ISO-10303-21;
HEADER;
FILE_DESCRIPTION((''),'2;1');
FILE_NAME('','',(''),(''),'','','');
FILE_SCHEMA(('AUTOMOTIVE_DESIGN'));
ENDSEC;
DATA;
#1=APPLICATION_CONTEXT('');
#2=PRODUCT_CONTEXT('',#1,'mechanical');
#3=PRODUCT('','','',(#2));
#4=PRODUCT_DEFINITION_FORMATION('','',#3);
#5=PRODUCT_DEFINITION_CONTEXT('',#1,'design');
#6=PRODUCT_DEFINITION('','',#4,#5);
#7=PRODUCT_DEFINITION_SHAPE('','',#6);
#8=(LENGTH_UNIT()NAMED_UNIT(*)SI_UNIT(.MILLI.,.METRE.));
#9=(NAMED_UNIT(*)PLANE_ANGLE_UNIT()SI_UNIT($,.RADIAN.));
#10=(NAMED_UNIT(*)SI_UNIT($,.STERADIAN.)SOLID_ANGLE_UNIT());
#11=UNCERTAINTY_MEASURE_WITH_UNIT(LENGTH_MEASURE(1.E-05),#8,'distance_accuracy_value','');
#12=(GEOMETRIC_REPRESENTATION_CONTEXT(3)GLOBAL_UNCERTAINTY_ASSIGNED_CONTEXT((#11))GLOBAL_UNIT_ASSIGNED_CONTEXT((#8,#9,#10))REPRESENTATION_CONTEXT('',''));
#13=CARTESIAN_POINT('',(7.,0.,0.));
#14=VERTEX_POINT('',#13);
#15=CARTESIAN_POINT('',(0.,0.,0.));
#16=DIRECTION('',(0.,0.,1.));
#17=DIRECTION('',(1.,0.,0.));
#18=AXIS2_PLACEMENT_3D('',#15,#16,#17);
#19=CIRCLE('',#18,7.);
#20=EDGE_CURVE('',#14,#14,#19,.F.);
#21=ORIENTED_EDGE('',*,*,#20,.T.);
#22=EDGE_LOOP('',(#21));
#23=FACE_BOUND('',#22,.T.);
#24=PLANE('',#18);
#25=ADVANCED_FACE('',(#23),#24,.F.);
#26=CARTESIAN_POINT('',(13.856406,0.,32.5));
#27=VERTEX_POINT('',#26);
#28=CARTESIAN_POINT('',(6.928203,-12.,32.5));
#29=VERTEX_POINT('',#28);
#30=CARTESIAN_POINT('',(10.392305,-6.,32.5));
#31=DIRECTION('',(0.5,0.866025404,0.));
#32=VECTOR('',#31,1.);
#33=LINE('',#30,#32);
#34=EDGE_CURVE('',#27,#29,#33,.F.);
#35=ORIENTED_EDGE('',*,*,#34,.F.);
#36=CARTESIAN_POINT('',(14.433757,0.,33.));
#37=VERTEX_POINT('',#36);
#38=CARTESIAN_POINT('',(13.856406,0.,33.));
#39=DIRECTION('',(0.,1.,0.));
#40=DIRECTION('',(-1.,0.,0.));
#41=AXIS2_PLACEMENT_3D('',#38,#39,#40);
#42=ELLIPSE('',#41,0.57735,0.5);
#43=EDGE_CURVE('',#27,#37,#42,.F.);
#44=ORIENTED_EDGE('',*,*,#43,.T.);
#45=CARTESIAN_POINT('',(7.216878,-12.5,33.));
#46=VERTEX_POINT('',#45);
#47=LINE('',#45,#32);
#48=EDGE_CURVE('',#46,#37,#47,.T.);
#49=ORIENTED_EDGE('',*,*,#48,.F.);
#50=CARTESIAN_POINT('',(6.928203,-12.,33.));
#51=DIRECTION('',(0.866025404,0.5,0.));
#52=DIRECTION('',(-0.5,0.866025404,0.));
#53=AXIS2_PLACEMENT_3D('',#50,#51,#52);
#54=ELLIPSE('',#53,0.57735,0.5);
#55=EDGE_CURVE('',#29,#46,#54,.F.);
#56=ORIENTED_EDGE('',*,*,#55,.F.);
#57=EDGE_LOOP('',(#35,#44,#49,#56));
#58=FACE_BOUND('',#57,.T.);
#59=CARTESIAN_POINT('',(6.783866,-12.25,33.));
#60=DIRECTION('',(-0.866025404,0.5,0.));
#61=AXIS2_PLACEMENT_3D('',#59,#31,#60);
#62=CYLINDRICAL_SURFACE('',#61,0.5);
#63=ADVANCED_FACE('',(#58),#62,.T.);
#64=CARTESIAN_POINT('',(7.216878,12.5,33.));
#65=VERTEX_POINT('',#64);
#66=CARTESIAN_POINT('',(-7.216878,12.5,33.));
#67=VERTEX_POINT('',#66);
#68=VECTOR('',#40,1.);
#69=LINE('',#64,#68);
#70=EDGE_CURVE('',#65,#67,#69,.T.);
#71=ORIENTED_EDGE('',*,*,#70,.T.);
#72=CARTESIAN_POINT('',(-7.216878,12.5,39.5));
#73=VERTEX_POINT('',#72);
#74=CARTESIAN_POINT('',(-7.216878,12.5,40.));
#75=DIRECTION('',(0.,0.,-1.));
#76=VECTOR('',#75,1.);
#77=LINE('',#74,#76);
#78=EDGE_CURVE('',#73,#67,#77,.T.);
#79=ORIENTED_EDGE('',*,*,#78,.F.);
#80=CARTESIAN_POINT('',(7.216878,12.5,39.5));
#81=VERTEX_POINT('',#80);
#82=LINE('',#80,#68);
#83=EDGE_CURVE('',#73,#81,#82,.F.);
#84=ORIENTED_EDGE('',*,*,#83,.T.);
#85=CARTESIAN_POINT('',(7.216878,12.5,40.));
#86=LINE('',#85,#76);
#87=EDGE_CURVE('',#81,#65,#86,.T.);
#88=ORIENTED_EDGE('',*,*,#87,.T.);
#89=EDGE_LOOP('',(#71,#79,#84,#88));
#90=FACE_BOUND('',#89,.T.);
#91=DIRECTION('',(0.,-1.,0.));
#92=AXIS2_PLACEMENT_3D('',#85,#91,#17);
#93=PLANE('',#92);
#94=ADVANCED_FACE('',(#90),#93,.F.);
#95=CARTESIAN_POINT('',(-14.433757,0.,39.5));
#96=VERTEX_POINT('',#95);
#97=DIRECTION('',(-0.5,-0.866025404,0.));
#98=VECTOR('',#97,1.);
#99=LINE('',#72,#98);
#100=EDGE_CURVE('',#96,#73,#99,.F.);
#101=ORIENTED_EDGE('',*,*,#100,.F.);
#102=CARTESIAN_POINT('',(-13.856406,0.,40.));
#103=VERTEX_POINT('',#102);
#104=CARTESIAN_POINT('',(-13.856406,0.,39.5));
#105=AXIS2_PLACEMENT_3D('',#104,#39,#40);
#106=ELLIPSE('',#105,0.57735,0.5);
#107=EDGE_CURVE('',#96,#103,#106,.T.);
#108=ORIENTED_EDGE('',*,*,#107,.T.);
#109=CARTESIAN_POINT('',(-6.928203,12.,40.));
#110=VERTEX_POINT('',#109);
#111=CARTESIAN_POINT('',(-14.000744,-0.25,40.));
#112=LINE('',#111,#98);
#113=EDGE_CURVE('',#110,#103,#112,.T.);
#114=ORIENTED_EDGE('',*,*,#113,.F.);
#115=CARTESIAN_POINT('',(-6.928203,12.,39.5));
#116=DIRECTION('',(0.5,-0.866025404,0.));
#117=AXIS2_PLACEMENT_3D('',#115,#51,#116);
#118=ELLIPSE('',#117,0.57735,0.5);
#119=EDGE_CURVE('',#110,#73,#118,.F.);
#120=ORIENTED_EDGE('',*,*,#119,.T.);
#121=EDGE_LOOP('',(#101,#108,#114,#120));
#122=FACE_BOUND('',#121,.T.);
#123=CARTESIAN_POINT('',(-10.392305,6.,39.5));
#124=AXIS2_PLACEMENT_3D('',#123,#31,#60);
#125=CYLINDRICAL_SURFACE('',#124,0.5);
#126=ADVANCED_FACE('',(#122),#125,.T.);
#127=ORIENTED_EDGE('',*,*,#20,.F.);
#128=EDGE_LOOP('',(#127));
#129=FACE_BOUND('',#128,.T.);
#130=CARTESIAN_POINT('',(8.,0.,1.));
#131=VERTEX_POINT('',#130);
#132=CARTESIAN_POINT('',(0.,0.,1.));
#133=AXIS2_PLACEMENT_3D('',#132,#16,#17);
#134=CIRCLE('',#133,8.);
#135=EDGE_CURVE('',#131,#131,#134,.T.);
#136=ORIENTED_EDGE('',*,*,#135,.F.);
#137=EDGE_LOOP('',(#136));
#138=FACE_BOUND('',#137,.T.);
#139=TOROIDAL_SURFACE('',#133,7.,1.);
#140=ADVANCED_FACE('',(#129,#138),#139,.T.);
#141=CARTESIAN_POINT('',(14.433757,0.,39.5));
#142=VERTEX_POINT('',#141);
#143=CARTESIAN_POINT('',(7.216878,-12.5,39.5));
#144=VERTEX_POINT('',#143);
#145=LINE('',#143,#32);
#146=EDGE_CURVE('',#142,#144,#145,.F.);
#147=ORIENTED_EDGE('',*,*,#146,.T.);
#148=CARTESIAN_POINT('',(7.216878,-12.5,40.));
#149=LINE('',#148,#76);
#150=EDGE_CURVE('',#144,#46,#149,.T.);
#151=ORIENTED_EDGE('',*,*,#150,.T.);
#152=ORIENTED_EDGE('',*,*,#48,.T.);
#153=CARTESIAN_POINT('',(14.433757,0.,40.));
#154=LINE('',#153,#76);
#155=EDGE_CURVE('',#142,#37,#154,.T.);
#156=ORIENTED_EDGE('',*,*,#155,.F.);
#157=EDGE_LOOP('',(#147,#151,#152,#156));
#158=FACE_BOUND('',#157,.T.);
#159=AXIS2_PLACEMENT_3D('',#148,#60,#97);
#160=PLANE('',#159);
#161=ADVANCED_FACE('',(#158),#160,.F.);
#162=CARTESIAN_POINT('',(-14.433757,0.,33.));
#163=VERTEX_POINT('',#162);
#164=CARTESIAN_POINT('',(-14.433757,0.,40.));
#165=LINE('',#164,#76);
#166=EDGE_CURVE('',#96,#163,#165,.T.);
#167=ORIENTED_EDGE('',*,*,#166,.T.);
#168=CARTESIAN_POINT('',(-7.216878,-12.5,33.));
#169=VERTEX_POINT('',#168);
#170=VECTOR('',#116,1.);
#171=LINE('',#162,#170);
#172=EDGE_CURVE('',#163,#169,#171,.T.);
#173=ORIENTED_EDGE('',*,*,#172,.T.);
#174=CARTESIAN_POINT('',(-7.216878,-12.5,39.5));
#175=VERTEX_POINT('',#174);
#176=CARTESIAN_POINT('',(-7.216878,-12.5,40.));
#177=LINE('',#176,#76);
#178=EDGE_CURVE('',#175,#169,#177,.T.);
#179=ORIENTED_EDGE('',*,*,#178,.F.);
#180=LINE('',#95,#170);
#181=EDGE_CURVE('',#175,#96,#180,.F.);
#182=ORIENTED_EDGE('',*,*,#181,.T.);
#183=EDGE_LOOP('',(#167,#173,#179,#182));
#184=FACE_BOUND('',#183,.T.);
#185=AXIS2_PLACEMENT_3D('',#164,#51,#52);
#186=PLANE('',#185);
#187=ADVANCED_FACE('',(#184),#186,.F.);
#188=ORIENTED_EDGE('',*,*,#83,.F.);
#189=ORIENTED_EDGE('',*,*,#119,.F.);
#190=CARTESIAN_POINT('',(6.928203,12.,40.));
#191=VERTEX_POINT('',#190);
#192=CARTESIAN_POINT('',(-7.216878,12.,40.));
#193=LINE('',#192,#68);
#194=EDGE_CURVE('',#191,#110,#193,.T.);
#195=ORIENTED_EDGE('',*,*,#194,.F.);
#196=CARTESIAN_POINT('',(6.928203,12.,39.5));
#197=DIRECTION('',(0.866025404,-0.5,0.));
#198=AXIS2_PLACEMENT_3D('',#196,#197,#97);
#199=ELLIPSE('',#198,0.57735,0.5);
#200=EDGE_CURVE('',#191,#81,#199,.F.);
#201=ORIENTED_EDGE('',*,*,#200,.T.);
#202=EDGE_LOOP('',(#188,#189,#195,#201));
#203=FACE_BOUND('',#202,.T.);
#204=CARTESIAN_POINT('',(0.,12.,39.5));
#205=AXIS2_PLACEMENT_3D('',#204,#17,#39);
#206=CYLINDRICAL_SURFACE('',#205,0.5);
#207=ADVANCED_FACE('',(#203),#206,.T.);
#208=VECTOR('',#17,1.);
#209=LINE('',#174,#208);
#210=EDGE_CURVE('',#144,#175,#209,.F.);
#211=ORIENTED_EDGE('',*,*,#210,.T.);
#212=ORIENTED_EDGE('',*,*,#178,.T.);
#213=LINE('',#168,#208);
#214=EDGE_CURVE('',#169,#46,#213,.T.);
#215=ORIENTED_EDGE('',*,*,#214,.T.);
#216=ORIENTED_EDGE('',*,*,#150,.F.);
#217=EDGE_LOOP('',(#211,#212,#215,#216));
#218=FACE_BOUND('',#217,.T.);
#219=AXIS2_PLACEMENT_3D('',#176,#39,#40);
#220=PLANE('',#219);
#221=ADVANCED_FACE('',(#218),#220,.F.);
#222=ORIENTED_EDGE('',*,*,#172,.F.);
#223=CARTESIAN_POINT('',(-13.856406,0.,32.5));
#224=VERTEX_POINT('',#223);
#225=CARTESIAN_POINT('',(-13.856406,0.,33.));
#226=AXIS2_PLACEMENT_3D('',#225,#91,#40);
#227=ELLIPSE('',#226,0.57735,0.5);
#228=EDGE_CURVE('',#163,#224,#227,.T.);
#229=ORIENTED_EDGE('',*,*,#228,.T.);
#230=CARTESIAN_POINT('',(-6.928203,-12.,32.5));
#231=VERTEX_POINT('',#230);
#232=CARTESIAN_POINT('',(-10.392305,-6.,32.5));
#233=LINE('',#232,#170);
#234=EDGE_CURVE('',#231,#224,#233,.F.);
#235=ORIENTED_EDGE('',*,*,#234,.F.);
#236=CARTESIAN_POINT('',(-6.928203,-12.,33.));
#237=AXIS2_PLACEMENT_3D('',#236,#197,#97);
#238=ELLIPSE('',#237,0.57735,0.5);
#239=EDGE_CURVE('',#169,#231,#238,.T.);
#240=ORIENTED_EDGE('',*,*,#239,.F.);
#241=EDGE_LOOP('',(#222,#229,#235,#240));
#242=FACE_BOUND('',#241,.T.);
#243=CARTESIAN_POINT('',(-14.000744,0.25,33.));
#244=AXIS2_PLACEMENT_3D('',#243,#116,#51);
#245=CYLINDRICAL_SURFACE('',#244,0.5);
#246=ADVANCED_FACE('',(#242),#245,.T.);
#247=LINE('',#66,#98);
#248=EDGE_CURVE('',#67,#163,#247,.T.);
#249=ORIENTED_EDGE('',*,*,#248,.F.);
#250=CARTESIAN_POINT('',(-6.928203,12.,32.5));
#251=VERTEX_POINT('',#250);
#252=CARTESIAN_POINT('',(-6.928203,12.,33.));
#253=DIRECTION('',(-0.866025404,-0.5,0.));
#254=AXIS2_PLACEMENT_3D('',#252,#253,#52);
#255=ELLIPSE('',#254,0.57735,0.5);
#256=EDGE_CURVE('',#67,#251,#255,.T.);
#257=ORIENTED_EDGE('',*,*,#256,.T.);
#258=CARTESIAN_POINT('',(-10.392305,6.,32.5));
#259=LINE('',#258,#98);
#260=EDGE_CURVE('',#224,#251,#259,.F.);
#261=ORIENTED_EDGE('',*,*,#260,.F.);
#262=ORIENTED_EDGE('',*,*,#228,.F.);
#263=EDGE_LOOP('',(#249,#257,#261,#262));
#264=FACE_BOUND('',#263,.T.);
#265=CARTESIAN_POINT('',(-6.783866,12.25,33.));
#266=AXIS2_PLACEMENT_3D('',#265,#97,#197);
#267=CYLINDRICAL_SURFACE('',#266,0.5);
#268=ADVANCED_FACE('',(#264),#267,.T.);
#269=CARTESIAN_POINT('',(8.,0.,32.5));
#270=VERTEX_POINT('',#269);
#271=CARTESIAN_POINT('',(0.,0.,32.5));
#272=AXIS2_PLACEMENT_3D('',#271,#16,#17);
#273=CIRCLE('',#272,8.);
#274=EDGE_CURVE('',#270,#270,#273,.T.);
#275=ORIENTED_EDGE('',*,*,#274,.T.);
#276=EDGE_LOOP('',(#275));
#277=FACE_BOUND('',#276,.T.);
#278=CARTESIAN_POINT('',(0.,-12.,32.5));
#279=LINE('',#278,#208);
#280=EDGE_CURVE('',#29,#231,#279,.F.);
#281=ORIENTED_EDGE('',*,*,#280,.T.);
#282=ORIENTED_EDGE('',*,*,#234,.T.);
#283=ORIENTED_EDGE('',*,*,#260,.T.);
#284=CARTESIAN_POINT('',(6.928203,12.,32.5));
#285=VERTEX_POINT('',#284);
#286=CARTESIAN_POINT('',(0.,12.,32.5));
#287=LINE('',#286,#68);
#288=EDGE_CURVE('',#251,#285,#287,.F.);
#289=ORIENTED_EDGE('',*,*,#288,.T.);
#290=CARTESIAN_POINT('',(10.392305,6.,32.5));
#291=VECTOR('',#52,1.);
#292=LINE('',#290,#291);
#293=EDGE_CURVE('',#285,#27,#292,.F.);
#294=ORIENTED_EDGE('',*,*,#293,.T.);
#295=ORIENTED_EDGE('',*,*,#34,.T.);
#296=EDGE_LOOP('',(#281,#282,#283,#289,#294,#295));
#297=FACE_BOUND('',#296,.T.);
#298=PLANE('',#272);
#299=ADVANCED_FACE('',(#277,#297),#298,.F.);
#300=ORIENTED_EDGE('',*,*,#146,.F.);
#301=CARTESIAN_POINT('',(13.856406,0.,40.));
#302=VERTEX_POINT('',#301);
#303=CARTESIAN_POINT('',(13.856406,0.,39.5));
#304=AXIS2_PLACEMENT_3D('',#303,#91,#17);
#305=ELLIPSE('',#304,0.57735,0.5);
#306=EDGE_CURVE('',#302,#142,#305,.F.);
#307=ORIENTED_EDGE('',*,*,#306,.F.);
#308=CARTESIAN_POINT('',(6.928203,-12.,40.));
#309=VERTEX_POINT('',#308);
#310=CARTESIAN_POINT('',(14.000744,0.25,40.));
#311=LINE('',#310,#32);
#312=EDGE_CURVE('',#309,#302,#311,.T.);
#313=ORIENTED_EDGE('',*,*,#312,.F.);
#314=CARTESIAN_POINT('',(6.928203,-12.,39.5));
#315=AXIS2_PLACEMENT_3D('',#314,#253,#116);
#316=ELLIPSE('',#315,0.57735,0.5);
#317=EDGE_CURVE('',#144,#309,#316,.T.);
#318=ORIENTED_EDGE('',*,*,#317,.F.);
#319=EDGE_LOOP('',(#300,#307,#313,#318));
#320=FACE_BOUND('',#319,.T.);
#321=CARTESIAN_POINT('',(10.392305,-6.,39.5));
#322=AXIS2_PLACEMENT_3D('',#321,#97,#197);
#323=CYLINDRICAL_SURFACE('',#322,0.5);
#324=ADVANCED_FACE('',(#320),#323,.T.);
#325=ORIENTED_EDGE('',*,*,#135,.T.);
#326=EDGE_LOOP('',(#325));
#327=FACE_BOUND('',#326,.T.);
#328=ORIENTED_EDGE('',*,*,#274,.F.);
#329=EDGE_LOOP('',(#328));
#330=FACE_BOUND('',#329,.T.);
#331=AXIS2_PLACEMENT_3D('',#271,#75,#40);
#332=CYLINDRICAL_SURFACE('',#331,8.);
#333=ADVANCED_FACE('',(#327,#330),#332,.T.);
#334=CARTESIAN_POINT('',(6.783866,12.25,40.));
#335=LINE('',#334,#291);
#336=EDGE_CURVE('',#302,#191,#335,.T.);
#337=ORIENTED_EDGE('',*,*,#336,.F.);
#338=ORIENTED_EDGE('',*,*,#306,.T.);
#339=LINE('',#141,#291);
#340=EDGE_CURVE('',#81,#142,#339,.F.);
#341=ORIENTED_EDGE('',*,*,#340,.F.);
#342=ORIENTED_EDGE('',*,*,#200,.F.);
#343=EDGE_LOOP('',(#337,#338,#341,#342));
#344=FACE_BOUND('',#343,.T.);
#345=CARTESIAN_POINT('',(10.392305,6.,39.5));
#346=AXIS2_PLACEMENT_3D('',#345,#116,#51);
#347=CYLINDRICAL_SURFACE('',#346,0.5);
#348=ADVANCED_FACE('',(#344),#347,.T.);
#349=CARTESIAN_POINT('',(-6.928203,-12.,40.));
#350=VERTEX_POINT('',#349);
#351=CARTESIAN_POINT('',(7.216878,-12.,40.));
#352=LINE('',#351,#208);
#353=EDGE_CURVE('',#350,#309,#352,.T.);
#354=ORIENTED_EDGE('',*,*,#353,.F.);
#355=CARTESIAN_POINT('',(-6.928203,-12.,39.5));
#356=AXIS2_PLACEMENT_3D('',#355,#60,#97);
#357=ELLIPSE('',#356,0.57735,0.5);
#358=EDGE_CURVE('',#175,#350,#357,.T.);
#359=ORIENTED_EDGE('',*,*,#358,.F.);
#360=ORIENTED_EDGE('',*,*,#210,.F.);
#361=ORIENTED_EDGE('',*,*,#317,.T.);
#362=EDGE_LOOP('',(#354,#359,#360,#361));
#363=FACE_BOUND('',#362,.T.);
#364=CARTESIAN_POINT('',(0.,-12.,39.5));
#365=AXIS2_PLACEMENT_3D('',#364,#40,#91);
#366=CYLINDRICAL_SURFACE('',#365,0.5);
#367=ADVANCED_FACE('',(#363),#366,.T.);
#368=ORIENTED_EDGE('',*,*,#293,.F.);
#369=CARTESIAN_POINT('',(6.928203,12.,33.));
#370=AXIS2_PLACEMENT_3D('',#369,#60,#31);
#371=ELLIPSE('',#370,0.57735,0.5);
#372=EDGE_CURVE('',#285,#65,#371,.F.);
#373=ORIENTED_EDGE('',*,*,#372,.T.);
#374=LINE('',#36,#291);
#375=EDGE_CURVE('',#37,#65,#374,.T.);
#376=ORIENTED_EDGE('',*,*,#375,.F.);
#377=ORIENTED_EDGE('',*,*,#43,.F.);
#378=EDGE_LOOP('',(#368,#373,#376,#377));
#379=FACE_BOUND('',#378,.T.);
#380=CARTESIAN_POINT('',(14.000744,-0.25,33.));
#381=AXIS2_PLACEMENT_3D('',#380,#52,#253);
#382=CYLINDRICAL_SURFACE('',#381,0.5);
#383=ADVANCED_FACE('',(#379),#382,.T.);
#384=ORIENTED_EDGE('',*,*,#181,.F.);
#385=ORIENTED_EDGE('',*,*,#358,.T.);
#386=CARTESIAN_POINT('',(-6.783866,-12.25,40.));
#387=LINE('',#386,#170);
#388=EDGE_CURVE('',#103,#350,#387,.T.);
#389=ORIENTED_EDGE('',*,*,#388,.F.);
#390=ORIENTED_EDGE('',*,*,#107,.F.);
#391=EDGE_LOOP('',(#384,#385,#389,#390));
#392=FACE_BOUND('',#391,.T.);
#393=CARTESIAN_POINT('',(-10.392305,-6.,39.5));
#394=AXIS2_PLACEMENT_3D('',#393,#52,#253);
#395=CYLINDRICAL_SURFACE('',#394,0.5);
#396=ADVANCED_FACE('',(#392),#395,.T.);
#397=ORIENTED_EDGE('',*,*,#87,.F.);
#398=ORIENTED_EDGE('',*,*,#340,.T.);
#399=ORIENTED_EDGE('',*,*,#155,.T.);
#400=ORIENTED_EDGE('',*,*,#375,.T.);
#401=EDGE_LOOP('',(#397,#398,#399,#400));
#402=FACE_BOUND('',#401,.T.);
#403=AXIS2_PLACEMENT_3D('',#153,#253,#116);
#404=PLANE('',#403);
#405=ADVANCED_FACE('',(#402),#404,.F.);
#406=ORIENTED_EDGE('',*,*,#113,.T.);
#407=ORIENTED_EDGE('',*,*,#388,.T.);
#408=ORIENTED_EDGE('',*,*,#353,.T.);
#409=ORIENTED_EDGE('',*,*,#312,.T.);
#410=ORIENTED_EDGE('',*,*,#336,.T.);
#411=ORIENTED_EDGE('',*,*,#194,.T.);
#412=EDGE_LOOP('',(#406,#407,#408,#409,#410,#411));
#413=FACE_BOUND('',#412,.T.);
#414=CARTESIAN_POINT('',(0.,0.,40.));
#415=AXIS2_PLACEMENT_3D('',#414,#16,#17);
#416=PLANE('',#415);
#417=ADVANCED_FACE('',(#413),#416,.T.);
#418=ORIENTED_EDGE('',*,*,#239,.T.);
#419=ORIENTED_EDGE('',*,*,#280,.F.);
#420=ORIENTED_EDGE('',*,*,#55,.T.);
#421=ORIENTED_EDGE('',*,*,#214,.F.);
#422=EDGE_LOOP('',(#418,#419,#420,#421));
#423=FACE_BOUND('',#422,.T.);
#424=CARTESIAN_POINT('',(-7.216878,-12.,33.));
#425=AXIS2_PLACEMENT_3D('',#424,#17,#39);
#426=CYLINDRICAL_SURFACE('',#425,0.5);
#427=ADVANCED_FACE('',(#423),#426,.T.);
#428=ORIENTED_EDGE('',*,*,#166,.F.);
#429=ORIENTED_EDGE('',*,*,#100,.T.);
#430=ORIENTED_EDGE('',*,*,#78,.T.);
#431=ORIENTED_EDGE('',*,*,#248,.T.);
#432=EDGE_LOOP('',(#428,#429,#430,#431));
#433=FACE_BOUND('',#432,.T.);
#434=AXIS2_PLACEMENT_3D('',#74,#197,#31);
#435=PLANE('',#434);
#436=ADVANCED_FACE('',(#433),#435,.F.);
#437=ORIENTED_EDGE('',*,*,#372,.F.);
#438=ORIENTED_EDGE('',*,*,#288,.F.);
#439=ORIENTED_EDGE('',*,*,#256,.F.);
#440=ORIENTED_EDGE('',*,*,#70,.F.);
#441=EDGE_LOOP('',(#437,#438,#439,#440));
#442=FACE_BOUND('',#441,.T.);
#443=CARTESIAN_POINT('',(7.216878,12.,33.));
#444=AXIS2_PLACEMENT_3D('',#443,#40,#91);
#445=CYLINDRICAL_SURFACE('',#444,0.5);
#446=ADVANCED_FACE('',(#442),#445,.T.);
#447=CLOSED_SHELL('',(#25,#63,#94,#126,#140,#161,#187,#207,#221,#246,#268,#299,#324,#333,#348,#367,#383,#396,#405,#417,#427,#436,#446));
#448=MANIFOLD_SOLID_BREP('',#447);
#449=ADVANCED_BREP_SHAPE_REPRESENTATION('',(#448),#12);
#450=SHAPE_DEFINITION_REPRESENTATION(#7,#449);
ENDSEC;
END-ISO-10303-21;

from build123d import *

# Parameters (mm, degrees)
SKETCH_1_R      = 8
EXTRUDE_1_DEPTH = 32.5
EXTRUDE_2_DEPTH = 7.5
FILLET_1_R      = 1
FILLET_2_R      = 0.5


with BuildPart() as part:
    # 草图1 → 凸台-拉伸1 (new body)
    with BuildSketch(Plane.XY):
        Circle(SKETCH_1_R)
    extrude(amount=EXTRUDE_1_DEPTH)

    # 草图2 → 凸台-拉伸2 (add)
    with BuildSketch(Plane.XY.offset(32.5)):
        Polygon((7.216878365, -12.5), (14.43375673, 0), (7.216878365, 12.5), (-7.216878365, 12.5), (-14.43375673, 0), (-7.216878365, -12.5), align=None)
    extrude(amount=EXTRUDE_2_DEPTH)

    # 圆角1
    fillet_1_edges = [part.edges().sort_by_distance(p)[0] for p in [
        (-8, 0, 0),
    ]]
    fillet(fillet_1_edges, radius=FILLET_1_R)

    # 圆角2
    fillet_2_edges = [part.edges().sort_by_distance(p)[0] for p in [
        (0, -12.5, 32.5),
        (10.825317547, -6.25, 32.5),
        (10.825317547, 6.25, 32.5),
        (0, 12.5, 32.5),
        (-10.825317547, 6.25, 32.5),
        (-10.825317547, -6.25, 32.5),
        (0, -12.5, 40),
        (10.825317547, -6.25, 40),
        (10.825317547, 6.25, 40),
        (0, 12.5, 40),
        (-10.825317547, 6.25, 40),
        (-10.825317547, -6.25, 40),
    ]]
    fillet(fillet_2_edges, radius=FILLET_2_R)


solid = part.part
